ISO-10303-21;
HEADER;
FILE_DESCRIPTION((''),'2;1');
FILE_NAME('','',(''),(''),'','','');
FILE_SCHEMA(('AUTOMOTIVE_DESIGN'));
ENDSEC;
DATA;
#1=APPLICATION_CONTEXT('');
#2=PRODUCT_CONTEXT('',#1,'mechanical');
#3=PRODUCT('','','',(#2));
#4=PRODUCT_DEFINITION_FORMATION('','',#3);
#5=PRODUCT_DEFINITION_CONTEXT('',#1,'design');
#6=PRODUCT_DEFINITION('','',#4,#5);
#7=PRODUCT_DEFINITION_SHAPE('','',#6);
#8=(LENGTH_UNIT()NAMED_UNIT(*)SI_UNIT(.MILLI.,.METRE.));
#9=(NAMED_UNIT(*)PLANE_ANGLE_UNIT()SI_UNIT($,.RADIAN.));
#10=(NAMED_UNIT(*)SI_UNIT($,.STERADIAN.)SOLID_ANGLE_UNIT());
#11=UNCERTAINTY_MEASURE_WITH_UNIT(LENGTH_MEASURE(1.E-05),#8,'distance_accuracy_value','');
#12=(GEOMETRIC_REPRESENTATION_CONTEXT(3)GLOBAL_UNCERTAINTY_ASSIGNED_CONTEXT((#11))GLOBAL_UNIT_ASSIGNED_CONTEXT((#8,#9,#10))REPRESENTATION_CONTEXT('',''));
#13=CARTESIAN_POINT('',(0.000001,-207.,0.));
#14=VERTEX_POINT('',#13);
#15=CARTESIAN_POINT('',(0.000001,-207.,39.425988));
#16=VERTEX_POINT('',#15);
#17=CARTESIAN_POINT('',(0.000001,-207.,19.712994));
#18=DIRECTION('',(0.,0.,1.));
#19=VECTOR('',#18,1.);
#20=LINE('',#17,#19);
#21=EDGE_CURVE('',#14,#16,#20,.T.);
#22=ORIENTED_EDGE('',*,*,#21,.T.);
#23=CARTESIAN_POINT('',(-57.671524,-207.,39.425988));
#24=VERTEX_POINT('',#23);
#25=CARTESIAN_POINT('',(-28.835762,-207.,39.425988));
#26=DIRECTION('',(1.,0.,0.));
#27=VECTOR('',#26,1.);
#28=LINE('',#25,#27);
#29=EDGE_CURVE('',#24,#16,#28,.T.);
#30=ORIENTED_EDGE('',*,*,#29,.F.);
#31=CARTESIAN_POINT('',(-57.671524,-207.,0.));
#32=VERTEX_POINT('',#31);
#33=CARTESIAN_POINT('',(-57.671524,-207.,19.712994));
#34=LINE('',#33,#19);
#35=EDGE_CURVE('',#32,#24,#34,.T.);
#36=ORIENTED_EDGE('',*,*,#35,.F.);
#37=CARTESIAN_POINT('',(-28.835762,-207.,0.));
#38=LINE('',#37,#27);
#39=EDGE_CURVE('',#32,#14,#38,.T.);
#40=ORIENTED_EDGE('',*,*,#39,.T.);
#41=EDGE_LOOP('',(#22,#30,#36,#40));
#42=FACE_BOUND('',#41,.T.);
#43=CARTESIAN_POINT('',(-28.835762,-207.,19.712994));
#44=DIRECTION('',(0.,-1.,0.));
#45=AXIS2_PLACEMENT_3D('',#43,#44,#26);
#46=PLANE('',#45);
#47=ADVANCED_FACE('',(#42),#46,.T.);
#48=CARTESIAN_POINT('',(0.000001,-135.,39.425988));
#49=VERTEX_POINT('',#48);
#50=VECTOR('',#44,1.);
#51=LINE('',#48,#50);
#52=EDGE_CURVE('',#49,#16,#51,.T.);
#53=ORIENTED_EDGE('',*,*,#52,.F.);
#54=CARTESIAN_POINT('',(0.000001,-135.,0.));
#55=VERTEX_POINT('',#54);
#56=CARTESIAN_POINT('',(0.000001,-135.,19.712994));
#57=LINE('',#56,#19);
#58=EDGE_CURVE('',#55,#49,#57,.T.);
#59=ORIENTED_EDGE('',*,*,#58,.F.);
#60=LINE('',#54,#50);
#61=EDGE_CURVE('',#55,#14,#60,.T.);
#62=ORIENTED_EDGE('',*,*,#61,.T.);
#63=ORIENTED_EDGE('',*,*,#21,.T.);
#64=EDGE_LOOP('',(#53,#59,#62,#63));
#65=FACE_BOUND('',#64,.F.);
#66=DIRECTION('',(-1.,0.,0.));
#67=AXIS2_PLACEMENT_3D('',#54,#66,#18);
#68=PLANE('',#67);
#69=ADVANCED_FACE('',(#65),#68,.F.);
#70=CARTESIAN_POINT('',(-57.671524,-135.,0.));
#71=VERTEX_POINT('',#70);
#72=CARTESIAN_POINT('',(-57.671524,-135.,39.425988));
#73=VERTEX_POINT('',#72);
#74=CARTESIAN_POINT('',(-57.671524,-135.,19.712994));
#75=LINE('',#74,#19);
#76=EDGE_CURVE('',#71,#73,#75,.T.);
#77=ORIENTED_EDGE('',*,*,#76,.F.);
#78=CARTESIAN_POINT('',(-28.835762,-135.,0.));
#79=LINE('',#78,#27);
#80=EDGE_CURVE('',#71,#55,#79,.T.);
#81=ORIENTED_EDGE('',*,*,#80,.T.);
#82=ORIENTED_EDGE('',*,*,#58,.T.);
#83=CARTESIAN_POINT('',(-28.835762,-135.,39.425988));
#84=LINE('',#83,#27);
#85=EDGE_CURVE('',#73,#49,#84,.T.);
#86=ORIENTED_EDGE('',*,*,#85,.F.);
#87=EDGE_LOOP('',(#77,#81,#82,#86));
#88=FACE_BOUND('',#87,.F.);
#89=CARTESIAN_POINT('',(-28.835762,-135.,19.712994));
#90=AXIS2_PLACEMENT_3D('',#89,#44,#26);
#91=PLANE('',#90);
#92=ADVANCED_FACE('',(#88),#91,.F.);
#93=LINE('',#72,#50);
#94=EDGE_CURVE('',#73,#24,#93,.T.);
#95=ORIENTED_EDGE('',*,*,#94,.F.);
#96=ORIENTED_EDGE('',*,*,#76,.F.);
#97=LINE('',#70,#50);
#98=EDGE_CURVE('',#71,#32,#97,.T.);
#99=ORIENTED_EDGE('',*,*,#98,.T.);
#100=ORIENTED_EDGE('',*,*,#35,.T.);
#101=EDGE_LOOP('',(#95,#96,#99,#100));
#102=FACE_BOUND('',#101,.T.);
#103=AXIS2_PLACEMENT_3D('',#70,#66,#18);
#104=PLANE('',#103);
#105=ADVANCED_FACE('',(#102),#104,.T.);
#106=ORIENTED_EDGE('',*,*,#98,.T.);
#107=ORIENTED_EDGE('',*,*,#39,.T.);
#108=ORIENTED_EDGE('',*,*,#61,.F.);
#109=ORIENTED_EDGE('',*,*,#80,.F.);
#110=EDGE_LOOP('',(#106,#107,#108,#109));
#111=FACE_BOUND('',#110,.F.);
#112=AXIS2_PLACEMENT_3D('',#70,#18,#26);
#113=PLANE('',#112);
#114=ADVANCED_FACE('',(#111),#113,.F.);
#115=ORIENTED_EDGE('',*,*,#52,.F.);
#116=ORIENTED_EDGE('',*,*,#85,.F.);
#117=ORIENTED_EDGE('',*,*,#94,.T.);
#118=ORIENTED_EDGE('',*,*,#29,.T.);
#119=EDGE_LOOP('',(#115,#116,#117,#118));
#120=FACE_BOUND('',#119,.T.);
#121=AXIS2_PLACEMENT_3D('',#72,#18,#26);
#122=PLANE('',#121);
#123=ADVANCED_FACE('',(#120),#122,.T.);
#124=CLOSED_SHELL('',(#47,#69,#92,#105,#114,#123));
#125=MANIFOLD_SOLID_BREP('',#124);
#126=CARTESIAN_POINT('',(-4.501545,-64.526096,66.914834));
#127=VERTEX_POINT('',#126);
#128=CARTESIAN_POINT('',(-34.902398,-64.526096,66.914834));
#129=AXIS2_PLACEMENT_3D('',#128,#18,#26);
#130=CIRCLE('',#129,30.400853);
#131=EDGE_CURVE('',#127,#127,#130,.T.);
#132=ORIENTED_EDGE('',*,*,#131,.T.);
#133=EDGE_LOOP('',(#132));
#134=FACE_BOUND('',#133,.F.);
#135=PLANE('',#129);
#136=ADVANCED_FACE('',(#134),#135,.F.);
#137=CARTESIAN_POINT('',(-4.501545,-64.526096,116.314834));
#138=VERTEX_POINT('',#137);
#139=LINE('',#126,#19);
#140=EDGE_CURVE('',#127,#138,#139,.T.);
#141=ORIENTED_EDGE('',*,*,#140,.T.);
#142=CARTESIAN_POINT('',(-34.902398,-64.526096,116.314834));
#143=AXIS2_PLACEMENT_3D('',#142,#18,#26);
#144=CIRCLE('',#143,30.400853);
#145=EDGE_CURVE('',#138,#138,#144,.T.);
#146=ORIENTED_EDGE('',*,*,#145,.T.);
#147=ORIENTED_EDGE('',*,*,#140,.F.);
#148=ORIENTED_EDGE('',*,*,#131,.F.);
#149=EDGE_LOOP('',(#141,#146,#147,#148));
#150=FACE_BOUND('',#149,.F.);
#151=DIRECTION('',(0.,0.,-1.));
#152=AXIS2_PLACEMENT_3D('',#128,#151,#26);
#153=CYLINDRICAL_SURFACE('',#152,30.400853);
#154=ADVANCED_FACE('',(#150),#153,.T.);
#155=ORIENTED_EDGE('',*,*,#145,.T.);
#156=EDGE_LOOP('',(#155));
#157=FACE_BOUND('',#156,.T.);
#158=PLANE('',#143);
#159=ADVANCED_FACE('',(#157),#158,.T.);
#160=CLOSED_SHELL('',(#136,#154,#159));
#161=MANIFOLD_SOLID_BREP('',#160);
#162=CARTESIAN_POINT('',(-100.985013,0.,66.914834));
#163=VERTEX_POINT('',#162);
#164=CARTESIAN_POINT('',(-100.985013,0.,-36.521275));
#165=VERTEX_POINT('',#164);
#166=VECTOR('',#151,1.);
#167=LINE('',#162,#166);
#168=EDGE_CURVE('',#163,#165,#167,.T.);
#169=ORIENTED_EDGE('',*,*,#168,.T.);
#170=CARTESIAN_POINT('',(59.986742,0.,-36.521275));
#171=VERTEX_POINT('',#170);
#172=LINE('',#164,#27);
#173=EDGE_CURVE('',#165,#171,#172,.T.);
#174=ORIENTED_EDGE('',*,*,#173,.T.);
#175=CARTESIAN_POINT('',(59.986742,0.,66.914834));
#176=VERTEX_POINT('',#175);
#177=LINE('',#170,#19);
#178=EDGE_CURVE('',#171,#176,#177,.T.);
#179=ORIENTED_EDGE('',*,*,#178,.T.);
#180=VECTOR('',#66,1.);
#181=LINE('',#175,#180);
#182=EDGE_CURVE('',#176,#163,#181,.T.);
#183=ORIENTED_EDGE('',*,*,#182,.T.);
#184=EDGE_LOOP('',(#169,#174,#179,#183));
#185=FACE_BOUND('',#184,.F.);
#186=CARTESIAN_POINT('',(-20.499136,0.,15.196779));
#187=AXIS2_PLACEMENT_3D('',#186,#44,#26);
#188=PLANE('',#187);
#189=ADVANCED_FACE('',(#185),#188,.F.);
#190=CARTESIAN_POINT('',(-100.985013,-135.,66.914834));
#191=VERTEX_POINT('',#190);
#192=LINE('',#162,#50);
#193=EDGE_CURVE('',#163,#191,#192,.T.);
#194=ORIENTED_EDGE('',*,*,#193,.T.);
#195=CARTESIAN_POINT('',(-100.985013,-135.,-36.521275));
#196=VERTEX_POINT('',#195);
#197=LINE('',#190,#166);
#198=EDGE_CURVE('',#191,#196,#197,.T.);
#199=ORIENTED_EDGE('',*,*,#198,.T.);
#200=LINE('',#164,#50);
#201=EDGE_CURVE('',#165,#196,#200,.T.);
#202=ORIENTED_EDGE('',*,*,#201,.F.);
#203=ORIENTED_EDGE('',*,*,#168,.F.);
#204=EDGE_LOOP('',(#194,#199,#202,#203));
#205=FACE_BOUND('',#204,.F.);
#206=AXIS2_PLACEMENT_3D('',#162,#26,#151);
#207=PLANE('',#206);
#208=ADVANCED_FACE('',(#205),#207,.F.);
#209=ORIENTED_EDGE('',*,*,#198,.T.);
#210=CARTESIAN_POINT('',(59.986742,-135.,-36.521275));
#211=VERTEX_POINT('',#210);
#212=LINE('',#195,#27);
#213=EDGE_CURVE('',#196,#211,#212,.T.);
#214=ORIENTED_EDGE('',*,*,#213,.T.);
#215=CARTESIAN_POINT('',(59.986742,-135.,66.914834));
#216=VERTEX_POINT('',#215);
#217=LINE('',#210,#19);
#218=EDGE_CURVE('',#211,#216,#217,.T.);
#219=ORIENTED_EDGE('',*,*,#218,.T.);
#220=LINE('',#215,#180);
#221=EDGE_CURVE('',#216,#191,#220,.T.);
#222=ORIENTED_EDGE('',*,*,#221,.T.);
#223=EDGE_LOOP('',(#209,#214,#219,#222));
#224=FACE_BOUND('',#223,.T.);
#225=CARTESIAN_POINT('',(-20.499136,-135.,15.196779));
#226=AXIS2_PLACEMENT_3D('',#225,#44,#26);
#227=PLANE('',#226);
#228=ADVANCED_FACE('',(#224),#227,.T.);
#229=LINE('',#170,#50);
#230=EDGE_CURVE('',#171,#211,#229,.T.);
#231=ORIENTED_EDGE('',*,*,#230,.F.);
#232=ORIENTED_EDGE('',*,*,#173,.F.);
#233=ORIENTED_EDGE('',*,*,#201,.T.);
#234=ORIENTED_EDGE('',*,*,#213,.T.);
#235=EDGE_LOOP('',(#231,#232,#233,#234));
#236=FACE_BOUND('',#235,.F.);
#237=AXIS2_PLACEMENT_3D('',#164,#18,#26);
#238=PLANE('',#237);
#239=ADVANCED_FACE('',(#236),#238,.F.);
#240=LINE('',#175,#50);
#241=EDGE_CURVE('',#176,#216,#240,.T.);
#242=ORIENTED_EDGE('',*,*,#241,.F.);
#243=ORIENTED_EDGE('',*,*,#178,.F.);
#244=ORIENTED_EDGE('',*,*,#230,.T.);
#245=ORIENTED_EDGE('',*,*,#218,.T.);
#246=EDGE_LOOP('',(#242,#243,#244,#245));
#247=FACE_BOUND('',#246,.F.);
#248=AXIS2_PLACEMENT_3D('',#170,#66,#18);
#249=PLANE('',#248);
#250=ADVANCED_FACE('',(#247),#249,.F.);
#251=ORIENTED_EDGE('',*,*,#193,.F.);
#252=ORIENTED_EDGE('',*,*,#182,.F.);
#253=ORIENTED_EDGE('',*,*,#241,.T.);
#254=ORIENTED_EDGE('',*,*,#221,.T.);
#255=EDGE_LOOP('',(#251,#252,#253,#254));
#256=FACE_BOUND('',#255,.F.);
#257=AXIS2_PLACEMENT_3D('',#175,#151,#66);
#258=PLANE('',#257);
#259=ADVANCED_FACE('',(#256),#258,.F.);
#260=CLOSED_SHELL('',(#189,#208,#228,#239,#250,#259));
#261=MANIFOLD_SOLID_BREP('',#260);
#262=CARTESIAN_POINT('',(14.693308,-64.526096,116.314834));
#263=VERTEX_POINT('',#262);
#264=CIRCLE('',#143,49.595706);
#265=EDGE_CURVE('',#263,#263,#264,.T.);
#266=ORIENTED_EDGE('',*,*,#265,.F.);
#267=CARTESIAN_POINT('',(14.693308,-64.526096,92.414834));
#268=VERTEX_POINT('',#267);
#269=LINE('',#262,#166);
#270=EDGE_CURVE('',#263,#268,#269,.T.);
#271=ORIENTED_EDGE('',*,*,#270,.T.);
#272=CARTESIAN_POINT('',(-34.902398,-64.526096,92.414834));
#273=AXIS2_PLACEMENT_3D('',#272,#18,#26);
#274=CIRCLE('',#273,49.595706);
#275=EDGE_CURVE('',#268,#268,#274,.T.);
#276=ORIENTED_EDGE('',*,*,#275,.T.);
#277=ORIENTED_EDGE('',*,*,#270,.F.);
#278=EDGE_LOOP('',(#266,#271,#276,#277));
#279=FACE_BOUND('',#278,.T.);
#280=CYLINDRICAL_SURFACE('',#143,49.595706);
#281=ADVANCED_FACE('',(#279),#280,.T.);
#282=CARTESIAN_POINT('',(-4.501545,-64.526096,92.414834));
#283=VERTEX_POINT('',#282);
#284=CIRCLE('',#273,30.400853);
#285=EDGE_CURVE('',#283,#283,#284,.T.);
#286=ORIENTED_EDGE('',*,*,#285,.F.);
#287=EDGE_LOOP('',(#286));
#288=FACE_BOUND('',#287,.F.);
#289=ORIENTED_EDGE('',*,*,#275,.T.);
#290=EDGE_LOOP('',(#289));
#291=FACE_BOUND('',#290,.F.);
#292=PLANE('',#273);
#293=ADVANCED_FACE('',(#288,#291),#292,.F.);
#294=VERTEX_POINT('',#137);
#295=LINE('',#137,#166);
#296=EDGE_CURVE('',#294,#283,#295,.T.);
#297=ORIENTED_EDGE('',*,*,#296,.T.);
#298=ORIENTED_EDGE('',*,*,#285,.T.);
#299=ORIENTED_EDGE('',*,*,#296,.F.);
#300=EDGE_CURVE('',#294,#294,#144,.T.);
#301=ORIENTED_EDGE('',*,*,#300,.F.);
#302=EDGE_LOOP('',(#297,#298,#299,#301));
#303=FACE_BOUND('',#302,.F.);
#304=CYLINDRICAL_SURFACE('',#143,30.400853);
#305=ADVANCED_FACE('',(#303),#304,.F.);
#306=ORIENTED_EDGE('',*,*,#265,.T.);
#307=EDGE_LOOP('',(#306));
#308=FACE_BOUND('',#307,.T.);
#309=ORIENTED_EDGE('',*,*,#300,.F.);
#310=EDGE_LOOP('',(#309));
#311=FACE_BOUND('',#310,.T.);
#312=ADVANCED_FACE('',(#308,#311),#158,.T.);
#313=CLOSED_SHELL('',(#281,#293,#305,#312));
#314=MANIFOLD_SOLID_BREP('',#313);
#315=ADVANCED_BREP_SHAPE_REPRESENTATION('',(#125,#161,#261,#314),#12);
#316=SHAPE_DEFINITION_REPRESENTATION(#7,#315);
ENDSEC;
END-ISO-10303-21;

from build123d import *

# Parameters (mm, degrees)
F1_DEPTH = 135
F2_W     = 57.671525
F2_H     = 39.425988
F3_DEPTH = 72
F4_R     = 30.400853
F5_DEPTH = 49.4
F6_R     = 49.595706
F6_R_2   = 30.400853
F7_DEPTH = 23.9


with BuildPart() as f1:
    # F0 (on Front) → F1 (new body)
    with BuildSketch(Plane.XZ):
        Polygon((59.986742, 66.914834), (-100.985013, 66.914834), (-100.985013, -36.521275), (59.986742, -36.521275), (59.986742, 15.19678), align=None)
    extrude(amount=F1_DEPTH)


with BuildPart() as f3:
    # F2 (on face) → F3 (new body)
    with BuildSketch(Plane.XZ.offset(135)):
        with Locations((-28.835762, 19.712994)):
            Rectangle(F2_W, F2_H)
    extrude(amount=F3_DEPTH)


with BuildPart() as f5:
    # F4 (on face) → F5 (new body)
    with BuildSketch(Plane.XY.offset(66.914834)):
        with Locations((-34.902398, -64.526096)):
            Circle(F4_R)
    extrude(amount=F5_DEPTH)


with BuildPart() as f7:
    # F6 (on face) → F7 (new body)
    with BuildSketch(Plane.XY.offset(116.314834)):
        with Locations((-34.902398, -64.526096)):
            Circle(F6_R)
        with Locations((-34.902398, -64.526096)):
            Circle(F6_R_2, mode=Mode.SUBTRACT)
    extrude(amount=-F7_DEPTH)


solid = Compound([f1.part, f3.part, f5.part, f7.part])
